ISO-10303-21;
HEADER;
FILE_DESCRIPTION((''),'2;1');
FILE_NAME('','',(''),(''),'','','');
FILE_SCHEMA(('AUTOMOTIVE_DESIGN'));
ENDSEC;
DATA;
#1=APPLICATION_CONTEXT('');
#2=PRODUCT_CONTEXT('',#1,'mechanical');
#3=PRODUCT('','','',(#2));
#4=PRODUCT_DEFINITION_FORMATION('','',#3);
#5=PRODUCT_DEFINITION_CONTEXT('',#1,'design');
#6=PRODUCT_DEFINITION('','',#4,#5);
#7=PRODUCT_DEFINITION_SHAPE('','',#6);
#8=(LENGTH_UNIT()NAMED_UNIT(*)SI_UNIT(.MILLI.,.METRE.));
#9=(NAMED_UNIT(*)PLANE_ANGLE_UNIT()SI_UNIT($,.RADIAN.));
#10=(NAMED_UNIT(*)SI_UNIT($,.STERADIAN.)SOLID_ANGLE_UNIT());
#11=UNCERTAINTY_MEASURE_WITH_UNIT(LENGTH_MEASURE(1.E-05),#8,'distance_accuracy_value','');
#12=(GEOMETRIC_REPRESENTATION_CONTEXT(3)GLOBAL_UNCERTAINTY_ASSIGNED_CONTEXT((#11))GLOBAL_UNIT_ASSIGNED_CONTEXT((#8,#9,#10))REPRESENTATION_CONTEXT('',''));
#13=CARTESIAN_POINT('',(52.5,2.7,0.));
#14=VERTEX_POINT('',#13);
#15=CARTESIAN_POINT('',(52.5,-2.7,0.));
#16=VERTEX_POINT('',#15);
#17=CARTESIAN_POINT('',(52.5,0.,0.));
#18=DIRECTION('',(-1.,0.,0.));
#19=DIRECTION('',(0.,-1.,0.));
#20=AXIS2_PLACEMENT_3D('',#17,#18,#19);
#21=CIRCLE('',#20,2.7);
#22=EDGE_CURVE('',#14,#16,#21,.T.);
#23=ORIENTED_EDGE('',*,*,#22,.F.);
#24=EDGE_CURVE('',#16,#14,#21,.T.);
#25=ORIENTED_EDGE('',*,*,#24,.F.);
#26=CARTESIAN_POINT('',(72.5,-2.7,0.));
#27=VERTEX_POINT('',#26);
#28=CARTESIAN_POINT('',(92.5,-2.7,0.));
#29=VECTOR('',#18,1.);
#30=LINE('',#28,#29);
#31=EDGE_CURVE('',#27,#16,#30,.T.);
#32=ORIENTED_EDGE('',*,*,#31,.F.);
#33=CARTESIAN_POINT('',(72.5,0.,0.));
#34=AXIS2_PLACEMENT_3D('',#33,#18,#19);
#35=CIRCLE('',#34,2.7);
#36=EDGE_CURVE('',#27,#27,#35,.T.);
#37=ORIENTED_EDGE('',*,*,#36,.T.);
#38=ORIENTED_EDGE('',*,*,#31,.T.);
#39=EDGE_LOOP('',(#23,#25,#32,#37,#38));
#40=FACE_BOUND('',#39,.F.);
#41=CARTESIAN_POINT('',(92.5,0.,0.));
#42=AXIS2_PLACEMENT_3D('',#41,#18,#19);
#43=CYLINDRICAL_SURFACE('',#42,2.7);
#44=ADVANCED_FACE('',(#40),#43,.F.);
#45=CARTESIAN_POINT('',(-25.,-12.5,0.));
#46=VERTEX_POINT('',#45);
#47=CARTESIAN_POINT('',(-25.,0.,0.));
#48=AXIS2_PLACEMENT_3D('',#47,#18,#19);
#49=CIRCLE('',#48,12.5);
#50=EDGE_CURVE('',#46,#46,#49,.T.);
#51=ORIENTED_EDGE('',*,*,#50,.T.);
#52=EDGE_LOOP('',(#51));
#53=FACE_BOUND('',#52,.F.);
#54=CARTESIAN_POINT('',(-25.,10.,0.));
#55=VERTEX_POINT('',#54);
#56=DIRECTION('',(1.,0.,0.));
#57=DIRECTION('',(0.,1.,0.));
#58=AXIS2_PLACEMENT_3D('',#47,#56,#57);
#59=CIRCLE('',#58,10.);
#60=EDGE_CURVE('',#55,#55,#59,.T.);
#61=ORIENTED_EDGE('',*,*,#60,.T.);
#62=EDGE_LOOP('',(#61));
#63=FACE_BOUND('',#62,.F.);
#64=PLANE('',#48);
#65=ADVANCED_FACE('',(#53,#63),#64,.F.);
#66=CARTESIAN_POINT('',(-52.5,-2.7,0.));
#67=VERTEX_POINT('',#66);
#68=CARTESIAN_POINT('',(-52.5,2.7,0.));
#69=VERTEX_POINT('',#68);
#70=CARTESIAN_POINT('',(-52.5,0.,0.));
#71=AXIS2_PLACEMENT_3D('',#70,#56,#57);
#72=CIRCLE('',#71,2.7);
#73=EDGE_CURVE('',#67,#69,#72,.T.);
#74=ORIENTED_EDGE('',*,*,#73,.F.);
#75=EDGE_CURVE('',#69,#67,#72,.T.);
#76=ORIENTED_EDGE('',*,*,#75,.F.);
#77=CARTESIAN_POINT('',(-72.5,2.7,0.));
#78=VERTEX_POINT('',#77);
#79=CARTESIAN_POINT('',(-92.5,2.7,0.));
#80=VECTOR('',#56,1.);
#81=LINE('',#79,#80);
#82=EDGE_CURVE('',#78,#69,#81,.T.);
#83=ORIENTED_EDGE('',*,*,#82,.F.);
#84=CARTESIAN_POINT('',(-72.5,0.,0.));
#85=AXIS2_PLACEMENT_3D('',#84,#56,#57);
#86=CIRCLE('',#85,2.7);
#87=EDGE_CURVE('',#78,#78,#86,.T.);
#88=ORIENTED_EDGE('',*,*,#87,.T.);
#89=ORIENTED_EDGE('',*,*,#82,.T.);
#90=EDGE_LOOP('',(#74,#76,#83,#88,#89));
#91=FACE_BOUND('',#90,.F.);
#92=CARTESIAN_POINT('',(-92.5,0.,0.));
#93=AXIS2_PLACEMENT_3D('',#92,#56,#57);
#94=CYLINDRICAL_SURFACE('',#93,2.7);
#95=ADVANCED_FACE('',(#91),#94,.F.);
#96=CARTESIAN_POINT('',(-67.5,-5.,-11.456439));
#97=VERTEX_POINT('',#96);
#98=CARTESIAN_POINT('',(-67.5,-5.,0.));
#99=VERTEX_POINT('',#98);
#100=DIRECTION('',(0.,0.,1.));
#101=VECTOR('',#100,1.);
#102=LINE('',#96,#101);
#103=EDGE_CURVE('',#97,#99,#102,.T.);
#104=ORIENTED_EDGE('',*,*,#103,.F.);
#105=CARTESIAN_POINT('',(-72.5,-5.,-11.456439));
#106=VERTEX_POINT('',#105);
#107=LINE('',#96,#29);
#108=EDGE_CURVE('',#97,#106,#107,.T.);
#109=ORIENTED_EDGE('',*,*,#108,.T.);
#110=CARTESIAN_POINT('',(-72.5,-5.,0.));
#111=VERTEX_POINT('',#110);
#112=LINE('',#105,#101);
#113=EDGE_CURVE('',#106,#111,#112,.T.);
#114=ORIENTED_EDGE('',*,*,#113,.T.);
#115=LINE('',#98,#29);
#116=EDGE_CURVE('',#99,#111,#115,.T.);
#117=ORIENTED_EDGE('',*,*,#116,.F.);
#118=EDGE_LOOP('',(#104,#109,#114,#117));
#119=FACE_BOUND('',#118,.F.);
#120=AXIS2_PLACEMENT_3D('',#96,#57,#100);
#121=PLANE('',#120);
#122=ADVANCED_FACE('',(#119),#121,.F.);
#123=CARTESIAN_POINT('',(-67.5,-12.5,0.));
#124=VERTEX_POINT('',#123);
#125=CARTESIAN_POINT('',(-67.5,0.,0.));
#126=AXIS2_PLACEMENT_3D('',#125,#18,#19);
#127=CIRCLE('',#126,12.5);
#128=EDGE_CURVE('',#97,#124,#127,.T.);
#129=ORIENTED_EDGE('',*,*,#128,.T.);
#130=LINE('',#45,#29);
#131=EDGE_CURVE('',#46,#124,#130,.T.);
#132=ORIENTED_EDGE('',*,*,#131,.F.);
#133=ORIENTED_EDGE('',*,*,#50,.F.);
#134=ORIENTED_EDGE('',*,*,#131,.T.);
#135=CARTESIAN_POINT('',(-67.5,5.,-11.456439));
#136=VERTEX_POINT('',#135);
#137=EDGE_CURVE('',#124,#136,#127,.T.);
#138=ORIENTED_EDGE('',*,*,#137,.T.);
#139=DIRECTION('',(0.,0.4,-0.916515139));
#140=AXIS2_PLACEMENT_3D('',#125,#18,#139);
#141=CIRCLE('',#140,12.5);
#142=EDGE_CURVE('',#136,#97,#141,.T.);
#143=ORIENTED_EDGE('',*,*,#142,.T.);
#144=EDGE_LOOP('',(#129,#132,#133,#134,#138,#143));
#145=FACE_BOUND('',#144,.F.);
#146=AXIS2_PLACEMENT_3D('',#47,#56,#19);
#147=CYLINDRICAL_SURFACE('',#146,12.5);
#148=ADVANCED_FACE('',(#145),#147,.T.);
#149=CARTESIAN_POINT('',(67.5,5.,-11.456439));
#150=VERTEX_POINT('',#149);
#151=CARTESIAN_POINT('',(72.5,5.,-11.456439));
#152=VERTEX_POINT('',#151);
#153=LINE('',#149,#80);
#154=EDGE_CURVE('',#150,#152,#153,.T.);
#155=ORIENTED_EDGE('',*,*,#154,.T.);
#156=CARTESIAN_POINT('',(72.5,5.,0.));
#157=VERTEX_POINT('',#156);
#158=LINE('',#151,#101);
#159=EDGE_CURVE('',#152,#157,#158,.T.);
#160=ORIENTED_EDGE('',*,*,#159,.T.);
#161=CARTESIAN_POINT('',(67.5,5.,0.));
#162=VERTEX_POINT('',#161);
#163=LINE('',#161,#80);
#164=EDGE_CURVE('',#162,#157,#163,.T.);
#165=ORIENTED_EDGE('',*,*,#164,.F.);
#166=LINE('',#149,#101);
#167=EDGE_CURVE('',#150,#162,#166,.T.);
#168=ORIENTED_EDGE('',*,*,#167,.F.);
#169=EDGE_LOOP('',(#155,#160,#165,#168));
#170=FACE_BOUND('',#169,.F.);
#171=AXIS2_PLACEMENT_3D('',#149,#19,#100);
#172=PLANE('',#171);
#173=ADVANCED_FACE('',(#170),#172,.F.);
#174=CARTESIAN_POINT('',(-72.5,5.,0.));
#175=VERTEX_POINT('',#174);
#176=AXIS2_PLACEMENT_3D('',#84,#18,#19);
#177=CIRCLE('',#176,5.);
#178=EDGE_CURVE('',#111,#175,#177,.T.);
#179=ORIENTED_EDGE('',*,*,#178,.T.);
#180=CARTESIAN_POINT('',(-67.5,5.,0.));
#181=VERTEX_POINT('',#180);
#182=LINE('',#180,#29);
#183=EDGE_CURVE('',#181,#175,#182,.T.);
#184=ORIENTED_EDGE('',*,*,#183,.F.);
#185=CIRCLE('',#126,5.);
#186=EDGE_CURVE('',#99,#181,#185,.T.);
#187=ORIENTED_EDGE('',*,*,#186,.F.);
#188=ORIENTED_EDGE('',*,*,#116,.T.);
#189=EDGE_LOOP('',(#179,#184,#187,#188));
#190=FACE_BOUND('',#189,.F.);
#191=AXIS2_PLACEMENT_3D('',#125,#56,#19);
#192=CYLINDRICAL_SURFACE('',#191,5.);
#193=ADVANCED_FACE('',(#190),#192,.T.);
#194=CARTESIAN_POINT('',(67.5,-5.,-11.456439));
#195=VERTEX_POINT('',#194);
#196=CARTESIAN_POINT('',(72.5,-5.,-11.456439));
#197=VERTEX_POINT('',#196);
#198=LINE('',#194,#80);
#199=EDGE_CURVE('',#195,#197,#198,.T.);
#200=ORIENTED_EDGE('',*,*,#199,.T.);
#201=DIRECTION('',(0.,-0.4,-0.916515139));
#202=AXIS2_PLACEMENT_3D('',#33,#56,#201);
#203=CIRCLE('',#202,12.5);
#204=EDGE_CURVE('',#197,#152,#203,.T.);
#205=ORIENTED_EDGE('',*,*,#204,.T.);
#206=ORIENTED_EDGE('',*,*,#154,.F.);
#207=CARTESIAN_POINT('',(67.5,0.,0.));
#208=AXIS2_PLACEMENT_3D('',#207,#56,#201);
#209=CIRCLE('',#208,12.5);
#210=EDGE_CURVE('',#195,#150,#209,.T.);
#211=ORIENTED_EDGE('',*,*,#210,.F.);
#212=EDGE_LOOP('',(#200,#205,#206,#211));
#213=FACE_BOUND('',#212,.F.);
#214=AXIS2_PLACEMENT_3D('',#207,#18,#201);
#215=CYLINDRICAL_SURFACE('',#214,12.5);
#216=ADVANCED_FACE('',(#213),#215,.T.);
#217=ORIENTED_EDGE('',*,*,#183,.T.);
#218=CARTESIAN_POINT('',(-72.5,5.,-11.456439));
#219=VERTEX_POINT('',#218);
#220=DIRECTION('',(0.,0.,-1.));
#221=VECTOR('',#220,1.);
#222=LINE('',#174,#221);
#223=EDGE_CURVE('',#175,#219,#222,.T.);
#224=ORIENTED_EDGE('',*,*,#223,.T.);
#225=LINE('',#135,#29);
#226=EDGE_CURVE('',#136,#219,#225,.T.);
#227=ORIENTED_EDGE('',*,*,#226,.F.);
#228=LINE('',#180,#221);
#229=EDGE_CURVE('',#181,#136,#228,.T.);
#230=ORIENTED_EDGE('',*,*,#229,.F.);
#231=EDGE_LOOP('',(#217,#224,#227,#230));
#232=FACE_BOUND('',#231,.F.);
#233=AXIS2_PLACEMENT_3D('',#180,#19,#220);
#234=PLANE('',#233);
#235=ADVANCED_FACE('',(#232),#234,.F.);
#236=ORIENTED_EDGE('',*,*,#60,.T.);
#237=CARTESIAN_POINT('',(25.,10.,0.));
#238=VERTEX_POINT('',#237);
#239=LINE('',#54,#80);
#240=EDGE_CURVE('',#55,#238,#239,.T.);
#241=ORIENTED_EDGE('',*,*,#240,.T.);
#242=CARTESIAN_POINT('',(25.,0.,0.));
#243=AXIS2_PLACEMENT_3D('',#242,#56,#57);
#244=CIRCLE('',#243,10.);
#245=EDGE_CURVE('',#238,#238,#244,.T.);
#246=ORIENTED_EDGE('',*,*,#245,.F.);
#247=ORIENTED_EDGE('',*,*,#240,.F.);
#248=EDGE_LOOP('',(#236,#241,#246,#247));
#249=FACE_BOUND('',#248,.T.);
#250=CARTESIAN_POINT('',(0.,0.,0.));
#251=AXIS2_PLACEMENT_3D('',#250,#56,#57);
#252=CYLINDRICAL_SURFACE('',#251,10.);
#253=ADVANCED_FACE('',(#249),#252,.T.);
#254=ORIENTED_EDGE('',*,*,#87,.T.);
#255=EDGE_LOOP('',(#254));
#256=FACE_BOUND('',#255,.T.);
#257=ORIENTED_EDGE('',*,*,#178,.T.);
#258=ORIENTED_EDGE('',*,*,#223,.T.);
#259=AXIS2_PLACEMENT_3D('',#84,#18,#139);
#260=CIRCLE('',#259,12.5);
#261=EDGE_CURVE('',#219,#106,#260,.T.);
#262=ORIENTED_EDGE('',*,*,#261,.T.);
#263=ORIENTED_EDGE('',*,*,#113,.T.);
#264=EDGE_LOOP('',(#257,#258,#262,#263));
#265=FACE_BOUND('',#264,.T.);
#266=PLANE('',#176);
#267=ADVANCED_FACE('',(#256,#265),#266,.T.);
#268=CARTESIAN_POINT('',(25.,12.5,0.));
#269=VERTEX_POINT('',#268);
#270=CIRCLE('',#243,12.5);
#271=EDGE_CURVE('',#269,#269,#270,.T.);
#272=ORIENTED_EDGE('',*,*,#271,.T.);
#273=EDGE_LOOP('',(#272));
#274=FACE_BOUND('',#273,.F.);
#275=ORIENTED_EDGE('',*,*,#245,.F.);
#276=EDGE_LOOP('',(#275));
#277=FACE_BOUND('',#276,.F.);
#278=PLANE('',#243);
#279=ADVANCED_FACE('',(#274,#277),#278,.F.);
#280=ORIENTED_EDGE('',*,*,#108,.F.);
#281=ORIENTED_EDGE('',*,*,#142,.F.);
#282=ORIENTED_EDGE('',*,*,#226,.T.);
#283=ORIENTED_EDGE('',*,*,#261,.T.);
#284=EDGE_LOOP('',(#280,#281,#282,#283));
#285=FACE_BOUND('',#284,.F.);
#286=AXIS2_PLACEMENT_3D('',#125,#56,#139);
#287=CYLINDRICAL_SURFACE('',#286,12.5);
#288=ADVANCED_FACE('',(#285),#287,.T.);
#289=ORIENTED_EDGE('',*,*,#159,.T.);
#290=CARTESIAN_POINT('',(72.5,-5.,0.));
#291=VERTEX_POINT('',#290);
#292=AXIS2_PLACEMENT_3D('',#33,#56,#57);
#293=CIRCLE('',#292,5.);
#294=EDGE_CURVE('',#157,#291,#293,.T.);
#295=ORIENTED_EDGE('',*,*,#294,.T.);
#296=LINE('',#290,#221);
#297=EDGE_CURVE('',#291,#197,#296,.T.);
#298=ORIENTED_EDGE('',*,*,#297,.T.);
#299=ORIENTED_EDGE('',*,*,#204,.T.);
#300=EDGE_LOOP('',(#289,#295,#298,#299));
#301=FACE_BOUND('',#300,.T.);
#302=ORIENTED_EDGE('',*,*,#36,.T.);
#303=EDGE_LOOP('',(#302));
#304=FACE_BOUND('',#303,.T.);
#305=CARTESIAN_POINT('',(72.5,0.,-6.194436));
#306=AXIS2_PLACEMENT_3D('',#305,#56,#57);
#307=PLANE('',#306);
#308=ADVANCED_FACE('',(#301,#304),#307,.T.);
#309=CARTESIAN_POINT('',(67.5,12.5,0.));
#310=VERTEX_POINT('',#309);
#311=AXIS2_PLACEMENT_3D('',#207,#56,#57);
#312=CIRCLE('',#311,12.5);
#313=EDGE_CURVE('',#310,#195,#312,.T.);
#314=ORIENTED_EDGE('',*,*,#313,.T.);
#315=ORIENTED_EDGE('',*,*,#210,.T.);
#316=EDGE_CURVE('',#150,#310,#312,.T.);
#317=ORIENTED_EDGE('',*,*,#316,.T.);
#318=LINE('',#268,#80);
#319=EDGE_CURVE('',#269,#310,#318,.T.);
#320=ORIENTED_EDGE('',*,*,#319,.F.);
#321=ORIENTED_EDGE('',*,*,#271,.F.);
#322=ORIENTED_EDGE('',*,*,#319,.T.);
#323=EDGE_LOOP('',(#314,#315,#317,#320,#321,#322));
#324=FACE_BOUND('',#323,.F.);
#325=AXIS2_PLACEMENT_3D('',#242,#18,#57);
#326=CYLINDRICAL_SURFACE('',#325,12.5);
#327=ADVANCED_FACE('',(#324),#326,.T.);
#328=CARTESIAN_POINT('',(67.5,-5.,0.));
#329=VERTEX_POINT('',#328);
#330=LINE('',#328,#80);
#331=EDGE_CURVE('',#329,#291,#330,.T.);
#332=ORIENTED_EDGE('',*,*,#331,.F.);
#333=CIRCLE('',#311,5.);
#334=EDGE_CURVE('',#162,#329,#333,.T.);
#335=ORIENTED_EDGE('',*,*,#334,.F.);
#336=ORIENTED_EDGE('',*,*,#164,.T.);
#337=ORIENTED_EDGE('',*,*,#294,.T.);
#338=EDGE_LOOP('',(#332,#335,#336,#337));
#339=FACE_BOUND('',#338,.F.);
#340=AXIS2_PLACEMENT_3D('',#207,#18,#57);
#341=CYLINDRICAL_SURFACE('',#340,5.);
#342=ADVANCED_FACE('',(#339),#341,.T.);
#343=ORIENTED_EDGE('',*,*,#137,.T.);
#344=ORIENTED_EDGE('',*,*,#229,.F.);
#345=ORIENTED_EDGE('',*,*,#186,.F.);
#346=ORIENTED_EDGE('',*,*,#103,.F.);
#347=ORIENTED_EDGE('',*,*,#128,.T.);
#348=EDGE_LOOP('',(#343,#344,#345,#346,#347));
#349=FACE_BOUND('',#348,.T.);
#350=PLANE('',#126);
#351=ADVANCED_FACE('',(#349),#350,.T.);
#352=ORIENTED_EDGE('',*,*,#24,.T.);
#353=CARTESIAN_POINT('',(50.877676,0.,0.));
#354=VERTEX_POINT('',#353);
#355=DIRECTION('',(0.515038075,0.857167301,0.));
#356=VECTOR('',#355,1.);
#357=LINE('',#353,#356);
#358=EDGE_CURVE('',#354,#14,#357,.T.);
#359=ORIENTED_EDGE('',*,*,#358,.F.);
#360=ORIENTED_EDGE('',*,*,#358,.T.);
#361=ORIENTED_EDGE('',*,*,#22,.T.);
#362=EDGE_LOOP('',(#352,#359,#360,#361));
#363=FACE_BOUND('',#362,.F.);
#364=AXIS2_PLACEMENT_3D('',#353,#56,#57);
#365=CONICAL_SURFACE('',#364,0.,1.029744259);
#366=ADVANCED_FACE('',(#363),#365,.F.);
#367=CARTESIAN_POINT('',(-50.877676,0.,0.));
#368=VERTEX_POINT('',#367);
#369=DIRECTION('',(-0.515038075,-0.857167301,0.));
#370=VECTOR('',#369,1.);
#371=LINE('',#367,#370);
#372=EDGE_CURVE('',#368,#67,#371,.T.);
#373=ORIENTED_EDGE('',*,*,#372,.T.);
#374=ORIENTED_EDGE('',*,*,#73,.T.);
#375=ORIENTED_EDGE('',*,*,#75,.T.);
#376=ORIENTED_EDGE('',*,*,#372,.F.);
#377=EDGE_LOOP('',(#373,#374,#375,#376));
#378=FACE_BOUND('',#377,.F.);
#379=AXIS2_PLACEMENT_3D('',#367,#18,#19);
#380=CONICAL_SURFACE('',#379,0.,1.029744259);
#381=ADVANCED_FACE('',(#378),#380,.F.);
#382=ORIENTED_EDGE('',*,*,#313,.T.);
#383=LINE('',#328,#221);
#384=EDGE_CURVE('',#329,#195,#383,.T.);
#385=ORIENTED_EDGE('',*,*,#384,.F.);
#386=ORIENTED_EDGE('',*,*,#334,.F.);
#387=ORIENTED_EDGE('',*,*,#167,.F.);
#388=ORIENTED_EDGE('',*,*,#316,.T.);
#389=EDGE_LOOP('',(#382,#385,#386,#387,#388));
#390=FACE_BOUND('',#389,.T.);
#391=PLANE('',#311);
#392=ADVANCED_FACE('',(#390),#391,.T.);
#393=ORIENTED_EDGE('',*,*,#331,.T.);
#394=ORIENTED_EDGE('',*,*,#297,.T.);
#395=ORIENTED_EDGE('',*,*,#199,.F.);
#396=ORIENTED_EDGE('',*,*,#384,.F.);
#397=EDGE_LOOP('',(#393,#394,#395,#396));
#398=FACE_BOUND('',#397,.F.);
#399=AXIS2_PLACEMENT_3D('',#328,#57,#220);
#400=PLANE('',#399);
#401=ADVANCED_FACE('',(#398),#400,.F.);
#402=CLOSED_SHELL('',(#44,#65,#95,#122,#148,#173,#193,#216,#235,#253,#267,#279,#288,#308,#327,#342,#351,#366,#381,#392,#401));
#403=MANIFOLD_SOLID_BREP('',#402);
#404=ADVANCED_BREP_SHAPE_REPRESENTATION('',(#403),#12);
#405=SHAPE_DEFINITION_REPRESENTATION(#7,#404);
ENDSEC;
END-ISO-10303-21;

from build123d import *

# Parameters (mm, degrees)
F0_R      = 10
F1_DEPTH  = 25
F2_R      = 12.5
F3_DEPTH  = 42.5
F4_R      = 12.5
F5_DEPTH  = 42.5
F7_DEPTH  = 5
F9_D      = 5.4
F9_DEPTH  = 20
F9_TIP    = 1.6223236714
F11_DEPTH = 5
F13_D     = 5.4
F13_DEPTH = 20
F13_TIP   = 1.6223236714


with BuildPart() as f1:
    # F0 (on Right) → F1 (new body, symmetric)
    with BuildSketch(Plane.YZ):
        Circle(F0_R)
    extrude(amount=F1_DEPTH, both=True)

    # F2 (on face) → F3 (join)
    with BuildSketch(Plane.YZ.offset(25)):
        Circle(F2_R)
    extrude(amount=F3_DEPTH)

    # F4 (on face) → F5 (join)
    with BuildSketch(Plane(origin=(-25, 0, 0), x_dir=(0, -1, 0), z_dir=(-1, 0, 0))):
        Circle(F4_R)
    extrude(amount=F5_DEPTH)

    # F6 (on face) → F7 (join)
    with BuildSketch(Plane.YZ.offset(67.5)):
        with BuildLine():
            Line((5, -11.4564392374), (5, 0))
            ThreePointArc((5, 0), (0, -5), (-5, 0))
            Line((-5, 0), (-5, -11.4564392374))
            ThreePointArc((-5, -11.4564392374), (0, -12.5), (5, -11.4564392374))
        make_face()
        with BuildLine():
            ThreePointArc((-5, 0), (0, -5), (5, 0))
            ThreePointArc((5, 0), (0, 5), (-5, 0))
        make_face()
    extrude(amount=F7_DEPTH)

    # F9
    with Locations(Plane.YZ.offset(72.5)):
        with Locations((0, 0)):
            Hole(F9_D / 2, depth=F9_DEPTH)
            with Locations((0, 0, -(F9_DEPTH + F9_TIP / 2))):  # 118° drill point
                Cone(0, F9_D / 2, F9_TIP, mode=Mode.SUBTRACT)

    # F10 (on face) → F11 (join)
    with BuildSketch(Plane(origin=(-67.5, 0, 0), x_dir=(0, -1, 0), z_dir=(-1, 0, 0))):
        with BuildLine():
            ThreePointArc((-5, 0), (0, -5), (5, 0))
            ThreePointArc((5, 0), (0, 5), (-5, 0))
        make_face()
        with BuildLine():
            Line((5, -11.4564392374), (5, 0))
            ThreePointArc((5, 0), (0, -5), (-5, 0))
            Line((-5, 0), (-5, -11.4564392374))
            ThreePointArc((-5, -11.4564392374), (0, -12.5), (5, -11.4564392374))
        make_face()
    extrude(amount=F11_DEPTH)

    # F13
    with Locations(Plane(origin=(-72.5, 0, 0), x_dir=(0, -1, 0), z_dir=(-1, 0, 0))):
        with Locations((0, 0)):
            Hole(F13_D / 2, depth=F13_DEPTH)
            with Locations((0, 0, -(F13_DEPTH + F13_TIP / 2))):  # 118° drill point
                Cone(0, F13_D / 2, F13_TIP, mode=Mode.SUBTRACT)


solid = f1.part
